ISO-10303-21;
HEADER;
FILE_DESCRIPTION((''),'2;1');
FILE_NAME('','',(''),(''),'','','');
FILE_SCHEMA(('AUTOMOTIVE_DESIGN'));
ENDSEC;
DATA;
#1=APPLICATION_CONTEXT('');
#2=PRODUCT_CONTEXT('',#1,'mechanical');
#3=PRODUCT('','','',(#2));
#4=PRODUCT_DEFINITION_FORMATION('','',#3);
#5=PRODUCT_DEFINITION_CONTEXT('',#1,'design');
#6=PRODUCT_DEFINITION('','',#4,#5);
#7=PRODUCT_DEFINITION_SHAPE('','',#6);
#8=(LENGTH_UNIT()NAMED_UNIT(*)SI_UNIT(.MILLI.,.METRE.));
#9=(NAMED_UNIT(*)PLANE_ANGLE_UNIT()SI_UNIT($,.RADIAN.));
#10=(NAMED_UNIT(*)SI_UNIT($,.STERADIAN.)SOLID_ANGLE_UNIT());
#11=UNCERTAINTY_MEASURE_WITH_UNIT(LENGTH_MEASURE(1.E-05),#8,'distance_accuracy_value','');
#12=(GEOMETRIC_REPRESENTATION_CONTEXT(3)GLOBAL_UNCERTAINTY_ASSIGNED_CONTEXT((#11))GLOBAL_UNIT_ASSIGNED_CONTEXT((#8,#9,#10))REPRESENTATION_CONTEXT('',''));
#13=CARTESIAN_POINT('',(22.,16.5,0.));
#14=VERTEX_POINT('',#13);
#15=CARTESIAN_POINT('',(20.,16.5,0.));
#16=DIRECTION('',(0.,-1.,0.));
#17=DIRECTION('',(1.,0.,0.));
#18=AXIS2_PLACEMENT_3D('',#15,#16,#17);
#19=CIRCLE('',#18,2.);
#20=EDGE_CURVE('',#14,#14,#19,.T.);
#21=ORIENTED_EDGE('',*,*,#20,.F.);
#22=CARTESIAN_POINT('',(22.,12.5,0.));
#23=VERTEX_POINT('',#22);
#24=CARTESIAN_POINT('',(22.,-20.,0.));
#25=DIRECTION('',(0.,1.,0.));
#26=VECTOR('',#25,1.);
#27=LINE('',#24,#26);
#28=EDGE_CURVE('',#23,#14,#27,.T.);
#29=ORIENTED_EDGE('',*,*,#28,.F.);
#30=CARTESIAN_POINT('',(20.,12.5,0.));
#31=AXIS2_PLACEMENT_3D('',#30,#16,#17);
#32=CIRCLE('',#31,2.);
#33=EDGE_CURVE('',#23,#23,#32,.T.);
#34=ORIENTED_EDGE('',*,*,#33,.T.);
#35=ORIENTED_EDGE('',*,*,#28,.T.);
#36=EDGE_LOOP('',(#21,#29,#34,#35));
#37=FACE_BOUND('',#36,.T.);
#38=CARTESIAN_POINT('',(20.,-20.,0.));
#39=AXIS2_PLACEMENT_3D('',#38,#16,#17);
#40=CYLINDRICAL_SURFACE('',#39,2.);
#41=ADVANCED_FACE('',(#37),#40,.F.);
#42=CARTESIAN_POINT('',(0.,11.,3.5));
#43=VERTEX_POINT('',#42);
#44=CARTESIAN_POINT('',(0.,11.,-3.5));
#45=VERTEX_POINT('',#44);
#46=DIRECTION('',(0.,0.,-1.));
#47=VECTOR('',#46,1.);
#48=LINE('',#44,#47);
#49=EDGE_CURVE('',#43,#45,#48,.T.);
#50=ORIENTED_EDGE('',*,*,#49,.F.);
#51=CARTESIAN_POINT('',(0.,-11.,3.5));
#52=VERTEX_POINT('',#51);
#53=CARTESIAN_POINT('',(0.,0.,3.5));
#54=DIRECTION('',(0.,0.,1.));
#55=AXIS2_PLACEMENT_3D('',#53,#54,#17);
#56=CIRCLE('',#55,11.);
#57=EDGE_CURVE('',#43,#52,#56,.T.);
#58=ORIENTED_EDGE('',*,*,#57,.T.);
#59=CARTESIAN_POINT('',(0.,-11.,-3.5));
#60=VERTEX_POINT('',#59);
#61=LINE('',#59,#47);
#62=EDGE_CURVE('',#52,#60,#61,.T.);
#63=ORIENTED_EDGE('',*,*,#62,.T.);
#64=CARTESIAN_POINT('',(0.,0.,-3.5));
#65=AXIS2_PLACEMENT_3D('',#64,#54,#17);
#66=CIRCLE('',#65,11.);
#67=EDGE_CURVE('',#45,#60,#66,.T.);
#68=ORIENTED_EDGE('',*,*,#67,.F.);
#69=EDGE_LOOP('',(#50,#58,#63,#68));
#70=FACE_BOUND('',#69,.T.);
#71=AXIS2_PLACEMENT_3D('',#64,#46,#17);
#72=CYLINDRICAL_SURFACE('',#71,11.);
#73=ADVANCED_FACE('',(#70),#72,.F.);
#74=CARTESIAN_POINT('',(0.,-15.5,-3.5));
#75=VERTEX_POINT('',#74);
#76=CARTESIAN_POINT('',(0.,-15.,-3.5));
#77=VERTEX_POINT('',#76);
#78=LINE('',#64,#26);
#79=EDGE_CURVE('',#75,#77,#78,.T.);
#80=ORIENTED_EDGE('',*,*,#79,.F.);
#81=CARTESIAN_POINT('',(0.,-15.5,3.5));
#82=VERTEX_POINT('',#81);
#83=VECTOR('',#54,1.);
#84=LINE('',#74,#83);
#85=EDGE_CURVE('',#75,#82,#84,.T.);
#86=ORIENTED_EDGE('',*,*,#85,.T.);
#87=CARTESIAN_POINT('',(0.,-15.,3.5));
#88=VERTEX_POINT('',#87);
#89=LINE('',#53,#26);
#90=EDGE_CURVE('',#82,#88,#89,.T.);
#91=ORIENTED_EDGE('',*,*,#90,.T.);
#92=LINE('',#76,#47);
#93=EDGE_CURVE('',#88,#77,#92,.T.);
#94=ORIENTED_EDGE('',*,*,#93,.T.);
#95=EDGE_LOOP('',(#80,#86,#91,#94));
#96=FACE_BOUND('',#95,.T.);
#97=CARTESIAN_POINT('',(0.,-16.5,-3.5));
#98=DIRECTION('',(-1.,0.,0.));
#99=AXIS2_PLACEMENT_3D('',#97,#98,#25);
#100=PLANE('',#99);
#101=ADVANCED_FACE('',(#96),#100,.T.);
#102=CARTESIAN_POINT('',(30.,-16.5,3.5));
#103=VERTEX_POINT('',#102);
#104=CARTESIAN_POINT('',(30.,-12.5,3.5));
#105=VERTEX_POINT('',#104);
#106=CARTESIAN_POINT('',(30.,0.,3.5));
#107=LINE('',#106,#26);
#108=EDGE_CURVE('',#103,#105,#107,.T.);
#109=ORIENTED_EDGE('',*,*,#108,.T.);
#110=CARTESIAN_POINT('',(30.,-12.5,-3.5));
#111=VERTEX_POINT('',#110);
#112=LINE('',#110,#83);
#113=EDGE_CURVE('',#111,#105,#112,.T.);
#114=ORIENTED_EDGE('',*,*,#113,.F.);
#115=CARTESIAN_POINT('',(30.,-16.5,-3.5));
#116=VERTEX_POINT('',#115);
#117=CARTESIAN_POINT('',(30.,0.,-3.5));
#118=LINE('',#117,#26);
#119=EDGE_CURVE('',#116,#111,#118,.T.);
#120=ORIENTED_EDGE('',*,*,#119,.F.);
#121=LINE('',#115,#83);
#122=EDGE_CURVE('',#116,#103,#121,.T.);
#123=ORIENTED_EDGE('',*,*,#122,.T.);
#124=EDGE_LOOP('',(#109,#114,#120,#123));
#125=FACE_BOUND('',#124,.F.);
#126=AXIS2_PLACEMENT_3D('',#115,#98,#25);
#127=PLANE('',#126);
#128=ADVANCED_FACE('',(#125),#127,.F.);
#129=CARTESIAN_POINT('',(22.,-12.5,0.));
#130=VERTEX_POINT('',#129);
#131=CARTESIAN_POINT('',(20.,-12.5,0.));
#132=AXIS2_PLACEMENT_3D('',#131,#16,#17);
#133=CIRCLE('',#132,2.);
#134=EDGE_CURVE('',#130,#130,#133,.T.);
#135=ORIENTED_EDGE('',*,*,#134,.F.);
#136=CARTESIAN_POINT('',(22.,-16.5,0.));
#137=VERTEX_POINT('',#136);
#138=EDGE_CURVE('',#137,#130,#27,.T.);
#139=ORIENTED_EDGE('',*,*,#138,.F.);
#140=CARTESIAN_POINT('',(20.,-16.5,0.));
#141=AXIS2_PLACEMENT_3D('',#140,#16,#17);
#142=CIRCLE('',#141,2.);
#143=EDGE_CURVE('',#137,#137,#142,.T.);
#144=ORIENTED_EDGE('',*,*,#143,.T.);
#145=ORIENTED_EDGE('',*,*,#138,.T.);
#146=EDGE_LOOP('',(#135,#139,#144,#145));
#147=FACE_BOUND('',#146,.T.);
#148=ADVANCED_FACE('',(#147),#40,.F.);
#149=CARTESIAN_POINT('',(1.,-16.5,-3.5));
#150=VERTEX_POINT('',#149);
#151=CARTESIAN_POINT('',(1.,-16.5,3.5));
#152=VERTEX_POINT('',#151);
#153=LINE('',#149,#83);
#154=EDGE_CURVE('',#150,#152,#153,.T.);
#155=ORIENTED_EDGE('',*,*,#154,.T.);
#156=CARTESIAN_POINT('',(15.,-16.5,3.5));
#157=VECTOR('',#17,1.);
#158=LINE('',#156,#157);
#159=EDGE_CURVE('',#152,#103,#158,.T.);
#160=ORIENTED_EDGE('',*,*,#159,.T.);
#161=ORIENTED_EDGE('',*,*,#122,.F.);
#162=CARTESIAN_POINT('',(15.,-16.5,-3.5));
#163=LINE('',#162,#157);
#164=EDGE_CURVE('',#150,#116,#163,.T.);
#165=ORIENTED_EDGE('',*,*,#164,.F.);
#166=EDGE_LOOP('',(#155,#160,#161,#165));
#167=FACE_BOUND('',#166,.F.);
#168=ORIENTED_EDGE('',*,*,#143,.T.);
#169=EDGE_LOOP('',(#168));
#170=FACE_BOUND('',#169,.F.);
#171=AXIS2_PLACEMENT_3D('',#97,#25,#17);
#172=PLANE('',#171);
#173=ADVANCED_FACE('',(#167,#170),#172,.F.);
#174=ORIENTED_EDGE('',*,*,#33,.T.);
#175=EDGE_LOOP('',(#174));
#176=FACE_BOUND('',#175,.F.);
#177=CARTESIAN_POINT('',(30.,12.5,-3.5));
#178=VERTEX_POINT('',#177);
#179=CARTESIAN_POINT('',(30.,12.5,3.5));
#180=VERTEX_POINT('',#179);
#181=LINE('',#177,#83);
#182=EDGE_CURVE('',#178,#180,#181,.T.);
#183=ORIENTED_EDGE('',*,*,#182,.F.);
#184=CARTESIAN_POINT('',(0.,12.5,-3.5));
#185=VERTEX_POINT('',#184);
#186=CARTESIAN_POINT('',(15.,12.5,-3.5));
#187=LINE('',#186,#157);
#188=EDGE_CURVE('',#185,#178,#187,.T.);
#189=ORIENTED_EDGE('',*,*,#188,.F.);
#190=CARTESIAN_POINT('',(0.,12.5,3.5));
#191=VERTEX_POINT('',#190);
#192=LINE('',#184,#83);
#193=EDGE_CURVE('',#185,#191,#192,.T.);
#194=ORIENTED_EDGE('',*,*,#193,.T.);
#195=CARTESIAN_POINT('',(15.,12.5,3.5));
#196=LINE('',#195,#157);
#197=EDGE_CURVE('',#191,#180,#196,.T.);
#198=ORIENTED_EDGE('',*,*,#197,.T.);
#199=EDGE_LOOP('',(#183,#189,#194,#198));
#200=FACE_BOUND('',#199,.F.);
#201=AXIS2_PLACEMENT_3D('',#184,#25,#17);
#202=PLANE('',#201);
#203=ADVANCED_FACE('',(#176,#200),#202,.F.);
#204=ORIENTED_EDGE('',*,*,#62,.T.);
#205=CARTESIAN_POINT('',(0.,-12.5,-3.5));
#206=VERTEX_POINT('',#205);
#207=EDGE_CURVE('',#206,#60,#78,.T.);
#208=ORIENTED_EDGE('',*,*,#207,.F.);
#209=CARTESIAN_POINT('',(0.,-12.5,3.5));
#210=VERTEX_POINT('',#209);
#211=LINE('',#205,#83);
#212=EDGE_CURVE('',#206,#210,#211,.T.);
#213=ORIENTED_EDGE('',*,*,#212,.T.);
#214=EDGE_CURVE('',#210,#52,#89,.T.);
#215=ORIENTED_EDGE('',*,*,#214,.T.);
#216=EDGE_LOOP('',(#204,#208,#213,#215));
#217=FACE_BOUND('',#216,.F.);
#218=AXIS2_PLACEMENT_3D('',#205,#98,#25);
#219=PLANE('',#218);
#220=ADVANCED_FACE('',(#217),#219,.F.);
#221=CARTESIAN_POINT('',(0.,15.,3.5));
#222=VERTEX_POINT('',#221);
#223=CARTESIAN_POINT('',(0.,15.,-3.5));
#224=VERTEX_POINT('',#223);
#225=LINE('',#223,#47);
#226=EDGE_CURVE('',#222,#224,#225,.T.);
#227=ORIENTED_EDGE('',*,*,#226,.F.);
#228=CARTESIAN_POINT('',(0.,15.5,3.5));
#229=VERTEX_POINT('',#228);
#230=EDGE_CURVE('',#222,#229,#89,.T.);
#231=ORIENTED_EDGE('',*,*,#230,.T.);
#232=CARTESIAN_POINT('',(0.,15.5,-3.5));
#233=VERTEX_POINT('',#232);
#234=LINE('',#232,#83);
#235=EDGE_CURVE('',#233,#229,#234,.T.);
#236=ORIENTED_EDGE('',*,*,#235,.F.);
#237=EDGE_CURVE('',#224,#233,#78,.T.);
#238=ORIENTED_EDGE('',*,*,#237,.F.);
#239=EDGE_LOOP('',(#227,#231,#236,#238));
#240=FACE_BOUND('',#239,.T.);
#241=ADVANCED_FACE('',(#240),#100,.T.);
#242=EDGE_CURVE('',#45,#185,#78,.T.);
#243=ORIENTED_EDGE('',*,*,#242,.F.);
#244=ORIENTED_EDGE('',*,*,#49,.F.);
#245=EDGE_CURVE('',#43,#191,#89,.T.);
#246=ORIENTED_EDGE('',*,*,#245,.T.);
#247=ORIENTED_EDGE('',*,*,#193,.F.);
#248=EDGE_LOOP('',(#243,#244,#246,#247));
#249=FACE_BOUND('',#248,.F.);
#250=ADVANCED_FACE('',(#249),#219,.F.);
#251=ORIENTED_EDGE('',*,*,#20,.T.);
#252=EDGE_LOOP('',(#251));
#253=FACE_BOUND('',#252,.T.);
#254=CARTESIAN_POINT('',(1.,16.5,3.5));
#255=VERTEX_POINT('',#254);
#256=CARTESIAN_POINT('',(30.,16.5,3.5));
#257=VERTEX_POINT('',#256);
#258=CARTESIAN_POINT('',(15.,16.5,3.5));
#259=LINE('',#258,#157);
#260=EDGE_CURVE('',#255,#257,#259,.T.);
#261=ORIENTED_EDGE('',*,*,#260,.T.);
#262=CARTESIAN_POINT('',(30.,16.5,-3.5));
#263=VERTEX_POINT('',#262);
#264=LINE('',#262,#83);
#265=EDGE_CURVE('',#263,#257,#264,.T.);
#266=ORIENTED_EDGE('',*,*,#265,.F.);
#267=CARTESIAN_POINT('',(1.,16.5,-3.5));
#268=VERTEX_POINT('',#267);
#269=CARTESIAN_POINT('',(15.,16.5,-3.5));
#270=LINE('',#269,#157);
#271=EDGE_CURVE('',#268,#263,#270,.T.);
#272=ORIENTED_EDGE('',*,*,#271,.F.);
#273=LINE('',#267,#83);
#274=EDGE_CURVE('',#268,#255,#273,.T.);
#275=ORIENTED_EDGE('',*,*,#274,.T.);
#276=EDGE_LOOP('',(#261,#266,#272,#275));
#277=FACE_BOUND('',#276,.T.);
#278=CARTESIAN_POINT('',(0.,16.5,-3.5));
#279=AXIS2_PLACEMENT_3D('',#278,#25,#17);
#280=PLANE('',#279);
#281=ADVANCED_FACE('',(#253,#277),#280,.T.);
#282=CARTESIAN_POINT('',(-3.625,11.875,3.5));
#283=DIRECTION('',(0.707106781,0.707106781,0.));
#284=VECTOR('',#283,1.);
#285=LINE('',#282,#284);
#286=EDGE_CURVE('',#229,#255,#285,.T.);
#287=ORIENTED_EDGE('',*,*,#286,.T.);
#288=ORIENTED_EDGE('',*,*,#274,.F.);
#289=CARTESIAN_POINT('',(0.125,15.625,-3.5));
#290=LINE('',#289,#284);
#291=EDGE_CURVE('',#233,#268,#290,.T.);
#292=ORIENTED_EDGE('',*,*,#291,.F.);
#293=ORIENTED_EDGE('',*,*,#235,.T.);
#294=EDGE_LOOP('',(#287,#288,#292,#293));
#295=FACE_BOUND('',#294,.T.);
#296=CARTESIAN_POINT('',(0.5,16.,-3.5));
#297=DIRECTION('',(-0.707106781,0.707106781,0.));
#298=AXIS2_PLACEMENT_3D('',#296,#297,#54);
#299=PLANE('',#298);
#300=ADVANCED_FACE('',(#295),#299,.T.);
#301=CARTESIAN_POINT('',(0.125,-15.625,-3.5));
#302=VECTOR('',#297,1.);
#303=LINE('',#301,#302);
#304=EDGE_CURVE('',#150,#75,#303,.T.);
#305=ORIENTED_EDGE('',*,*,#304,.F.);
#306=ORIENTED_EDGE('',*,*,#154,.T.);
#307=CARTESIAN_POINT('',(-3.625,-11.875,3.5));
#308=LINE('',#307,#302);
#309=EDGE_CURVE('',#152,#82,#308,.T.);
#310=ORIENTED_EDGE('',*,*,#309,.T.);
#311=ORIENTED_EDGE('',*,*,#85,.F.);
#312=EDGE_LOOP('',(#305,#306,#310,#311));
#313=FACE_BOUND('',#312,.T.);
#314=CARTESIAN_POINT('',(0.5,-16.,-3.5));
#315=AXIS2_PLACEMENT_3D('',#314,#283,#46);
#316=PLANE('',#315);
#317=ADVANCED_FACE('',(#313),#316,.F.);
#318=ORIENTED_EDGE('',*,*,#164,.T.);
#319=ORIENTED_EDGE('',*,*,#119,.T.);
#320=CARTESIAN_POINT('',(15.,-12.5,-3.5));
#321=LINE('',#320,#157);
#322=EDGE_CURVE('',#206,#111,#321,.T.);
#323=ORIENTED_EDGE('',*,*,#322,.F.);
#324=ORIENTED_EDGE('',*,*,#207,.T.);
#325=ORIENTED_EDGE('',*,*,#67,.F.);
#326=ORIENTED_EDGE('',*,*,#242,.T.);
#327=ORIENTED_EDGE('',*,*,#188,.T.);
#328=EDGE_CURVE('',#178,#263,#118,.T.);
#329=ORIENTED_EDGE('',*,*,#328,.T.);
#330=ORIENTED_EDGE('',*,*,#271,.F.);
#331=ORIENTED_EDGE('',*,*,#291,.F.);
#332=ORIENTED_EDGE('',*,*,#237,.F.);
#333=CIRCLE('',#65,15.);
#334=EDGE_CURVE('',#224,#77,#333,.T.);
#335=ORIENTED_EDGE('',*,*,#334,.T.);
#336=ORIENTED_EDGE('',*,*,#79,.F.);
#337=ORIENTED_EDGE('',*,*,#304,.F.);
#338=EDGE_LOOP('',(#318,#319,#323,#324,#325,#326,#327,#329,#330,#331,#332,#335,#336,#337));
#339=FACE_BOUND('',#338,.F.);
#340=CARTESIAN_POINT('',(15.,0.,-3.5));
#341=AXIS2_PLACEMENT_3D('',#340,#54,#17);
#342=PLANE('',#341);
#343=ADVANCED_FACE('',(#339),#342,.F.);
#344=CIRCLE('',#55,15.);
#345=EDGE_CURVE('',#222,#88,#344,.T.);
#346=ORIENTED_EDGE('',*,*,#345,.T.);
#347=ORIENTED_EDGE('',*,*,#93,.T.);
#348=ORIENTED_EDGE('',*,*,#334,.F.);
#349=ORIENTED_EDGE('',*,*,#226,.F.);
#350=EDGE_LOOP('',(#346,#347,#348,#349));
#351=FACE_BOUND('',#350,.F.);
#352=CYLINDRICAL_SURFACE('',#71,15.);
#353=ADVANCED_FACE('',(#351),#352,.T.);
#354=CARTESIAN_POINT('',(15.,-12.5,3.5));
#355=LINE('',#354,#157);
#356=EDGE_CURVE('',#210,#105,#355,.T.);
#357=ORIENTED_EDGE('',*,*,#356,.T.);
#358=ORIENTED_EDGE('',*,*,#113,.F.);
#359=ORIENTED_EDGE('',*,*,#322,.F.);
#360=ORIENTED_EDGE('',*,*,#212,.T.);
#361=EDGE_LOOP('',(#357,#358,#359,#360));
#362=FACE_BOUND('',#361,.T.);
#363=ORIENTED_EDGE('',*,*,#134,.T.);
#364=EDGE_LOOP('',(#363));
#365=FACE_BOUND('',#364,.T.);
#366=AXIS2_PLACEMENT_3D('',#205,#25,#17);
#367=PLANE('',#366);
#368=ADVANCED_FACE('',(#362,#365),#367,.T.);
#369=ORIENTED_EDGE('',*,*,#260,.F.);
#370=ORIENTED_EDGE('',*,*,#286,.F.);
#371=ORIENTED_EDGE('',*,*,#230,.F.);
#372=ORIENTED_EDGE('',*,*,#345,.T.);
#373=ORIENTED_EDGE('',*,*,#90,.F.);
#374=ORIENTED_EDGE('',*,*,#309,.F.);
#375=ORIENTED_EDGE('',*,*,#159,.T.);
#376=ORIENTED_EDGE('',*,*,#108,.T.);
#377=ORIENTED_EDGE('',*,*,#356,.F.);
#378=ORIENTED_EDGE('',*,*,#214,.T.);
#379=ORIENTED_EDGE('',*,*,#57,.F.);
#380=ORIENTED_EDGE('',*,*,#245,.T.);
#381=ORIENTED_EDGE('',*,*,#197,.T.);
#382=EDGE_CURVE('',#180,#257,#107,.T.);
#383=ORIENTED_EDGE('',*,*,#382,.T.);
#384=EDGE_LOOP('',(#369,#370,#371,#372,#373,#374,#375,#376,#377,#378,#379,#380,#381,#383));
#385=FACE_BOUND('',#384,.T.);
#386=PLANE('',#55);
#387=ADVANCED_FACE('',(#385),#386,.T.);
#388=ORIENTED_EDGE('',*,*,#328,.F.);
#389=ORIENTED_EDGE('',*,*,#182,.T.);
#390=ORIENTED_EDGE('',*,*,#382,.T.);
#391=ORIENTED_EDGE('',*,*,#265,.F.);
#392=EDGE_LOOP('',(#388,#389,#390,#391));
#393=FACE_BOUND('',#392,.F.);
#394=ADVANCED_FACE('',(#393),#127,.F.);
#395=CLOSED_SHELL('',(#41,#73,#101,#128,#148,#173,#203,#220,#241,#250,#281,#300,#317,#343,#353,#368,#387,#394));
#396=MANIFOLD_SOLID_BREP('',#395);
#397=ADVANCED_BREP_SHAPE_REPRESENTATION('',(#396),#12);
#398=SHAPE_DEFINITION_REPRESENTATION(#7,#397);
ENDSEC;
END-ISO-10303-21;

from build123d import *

# Parameters (mm, degrees)
BOX001_W               = 30
BOX001_H               = 25
BOX001_DEPTH           = 7
CYLINDER002_R          = 2
CYLINDER002_DEPTH      = 40
CYLINDER002_ROLL_ANGLE = -90
CYLINDER_R             = 11
CYLINDER_DEPTH         = 7
CYLINDER001_R          = 15
CYLINDER001_DEPTH      = 7
BOX_W                  = 30
BOX_H                  = 33
BOX_DEPTH              = 7
CHAMFER_SIZE           = 1


with BuildPart() as cube001:
    # Box001 → Box001 (new body)
    with BuildSketch(Plane(origin=(0, -12.5, -3.5), x_dir=(1, 0, 0), z_dir=(0, 0, 1))):
        with Locations((15, 12.5)):
            Rectangle(BOX001_W, BOX001_H)
    extrude(amount=BOX001_DEPTH)


with BuildPart() as screw:
    # Cylinder002 → Cylinder002 (new body)
    with BuildSketch(Plane.XY):
        Circle(CYLINDER002_R)
    extrude(amount=CYLINDER002_DEPTH)


with BuildPart() as screw_1:
    # Cylinder002 roll: moved
    add(screw.part.rotate(Axis((0, 0, 0), (1, 0, 0)), CYLINDER002_ROLL_ANGLE))


with BuildPart() as screw_2:
    # Cylinder002 placement: moved
    add(screw_1.part.moved(Location((20, -20, 0))))


with BuildPart() as negative_fusion:
    # Cylinder → Cylinder (new body)
    with BuildSketch(Plane.XY.offset(-3.5)):
        Circle(CYLINDER_R)
    extrude(amount=CYLINDER_DEPTH)

    # Fusion001: union Cube001, Screw
    add(cube001.part)
    add(screw_2.part)


with BuildPart() as bearingouter:
    # Cylinder001 → Cylinder001 (new body)
    with BuildSketch(Plane.XY.offset(-3.5)):
        Circle(CYLINDER001_R)
    extrude(amount=CYLINDER001_DEPTH)


with BuildPart() as chamfer_body:
    # Box → Box (new body)
    with BuildSketch(Plane(origin=(0, -16.5, -3.5), x_dir=(1, 0, 0), z_dir=(0, 0, 1))):
        with Locations((15, 16.5)):
            Rectangle(BOX_W, BOX_H)
    extrude(amount=BOX_DEPTH)

    # Fusion: union BearingOuter
    add(bearingouter.part)

    # Cut: cut Negative Fusion
    add(negative_fusion.part, mode=Mode.SUBTRACT)

    # Chamfer
    chamfer_edges = [chamfer_body.edges().sort_by_distance(p)[0] for p in [
        (0, -16.5, 0),
        (0, 16.5, 0),
    ]]
    chamfer(chamfer_edges, length=CHAMFER_SIZE)


solid = chamfer_body.part
